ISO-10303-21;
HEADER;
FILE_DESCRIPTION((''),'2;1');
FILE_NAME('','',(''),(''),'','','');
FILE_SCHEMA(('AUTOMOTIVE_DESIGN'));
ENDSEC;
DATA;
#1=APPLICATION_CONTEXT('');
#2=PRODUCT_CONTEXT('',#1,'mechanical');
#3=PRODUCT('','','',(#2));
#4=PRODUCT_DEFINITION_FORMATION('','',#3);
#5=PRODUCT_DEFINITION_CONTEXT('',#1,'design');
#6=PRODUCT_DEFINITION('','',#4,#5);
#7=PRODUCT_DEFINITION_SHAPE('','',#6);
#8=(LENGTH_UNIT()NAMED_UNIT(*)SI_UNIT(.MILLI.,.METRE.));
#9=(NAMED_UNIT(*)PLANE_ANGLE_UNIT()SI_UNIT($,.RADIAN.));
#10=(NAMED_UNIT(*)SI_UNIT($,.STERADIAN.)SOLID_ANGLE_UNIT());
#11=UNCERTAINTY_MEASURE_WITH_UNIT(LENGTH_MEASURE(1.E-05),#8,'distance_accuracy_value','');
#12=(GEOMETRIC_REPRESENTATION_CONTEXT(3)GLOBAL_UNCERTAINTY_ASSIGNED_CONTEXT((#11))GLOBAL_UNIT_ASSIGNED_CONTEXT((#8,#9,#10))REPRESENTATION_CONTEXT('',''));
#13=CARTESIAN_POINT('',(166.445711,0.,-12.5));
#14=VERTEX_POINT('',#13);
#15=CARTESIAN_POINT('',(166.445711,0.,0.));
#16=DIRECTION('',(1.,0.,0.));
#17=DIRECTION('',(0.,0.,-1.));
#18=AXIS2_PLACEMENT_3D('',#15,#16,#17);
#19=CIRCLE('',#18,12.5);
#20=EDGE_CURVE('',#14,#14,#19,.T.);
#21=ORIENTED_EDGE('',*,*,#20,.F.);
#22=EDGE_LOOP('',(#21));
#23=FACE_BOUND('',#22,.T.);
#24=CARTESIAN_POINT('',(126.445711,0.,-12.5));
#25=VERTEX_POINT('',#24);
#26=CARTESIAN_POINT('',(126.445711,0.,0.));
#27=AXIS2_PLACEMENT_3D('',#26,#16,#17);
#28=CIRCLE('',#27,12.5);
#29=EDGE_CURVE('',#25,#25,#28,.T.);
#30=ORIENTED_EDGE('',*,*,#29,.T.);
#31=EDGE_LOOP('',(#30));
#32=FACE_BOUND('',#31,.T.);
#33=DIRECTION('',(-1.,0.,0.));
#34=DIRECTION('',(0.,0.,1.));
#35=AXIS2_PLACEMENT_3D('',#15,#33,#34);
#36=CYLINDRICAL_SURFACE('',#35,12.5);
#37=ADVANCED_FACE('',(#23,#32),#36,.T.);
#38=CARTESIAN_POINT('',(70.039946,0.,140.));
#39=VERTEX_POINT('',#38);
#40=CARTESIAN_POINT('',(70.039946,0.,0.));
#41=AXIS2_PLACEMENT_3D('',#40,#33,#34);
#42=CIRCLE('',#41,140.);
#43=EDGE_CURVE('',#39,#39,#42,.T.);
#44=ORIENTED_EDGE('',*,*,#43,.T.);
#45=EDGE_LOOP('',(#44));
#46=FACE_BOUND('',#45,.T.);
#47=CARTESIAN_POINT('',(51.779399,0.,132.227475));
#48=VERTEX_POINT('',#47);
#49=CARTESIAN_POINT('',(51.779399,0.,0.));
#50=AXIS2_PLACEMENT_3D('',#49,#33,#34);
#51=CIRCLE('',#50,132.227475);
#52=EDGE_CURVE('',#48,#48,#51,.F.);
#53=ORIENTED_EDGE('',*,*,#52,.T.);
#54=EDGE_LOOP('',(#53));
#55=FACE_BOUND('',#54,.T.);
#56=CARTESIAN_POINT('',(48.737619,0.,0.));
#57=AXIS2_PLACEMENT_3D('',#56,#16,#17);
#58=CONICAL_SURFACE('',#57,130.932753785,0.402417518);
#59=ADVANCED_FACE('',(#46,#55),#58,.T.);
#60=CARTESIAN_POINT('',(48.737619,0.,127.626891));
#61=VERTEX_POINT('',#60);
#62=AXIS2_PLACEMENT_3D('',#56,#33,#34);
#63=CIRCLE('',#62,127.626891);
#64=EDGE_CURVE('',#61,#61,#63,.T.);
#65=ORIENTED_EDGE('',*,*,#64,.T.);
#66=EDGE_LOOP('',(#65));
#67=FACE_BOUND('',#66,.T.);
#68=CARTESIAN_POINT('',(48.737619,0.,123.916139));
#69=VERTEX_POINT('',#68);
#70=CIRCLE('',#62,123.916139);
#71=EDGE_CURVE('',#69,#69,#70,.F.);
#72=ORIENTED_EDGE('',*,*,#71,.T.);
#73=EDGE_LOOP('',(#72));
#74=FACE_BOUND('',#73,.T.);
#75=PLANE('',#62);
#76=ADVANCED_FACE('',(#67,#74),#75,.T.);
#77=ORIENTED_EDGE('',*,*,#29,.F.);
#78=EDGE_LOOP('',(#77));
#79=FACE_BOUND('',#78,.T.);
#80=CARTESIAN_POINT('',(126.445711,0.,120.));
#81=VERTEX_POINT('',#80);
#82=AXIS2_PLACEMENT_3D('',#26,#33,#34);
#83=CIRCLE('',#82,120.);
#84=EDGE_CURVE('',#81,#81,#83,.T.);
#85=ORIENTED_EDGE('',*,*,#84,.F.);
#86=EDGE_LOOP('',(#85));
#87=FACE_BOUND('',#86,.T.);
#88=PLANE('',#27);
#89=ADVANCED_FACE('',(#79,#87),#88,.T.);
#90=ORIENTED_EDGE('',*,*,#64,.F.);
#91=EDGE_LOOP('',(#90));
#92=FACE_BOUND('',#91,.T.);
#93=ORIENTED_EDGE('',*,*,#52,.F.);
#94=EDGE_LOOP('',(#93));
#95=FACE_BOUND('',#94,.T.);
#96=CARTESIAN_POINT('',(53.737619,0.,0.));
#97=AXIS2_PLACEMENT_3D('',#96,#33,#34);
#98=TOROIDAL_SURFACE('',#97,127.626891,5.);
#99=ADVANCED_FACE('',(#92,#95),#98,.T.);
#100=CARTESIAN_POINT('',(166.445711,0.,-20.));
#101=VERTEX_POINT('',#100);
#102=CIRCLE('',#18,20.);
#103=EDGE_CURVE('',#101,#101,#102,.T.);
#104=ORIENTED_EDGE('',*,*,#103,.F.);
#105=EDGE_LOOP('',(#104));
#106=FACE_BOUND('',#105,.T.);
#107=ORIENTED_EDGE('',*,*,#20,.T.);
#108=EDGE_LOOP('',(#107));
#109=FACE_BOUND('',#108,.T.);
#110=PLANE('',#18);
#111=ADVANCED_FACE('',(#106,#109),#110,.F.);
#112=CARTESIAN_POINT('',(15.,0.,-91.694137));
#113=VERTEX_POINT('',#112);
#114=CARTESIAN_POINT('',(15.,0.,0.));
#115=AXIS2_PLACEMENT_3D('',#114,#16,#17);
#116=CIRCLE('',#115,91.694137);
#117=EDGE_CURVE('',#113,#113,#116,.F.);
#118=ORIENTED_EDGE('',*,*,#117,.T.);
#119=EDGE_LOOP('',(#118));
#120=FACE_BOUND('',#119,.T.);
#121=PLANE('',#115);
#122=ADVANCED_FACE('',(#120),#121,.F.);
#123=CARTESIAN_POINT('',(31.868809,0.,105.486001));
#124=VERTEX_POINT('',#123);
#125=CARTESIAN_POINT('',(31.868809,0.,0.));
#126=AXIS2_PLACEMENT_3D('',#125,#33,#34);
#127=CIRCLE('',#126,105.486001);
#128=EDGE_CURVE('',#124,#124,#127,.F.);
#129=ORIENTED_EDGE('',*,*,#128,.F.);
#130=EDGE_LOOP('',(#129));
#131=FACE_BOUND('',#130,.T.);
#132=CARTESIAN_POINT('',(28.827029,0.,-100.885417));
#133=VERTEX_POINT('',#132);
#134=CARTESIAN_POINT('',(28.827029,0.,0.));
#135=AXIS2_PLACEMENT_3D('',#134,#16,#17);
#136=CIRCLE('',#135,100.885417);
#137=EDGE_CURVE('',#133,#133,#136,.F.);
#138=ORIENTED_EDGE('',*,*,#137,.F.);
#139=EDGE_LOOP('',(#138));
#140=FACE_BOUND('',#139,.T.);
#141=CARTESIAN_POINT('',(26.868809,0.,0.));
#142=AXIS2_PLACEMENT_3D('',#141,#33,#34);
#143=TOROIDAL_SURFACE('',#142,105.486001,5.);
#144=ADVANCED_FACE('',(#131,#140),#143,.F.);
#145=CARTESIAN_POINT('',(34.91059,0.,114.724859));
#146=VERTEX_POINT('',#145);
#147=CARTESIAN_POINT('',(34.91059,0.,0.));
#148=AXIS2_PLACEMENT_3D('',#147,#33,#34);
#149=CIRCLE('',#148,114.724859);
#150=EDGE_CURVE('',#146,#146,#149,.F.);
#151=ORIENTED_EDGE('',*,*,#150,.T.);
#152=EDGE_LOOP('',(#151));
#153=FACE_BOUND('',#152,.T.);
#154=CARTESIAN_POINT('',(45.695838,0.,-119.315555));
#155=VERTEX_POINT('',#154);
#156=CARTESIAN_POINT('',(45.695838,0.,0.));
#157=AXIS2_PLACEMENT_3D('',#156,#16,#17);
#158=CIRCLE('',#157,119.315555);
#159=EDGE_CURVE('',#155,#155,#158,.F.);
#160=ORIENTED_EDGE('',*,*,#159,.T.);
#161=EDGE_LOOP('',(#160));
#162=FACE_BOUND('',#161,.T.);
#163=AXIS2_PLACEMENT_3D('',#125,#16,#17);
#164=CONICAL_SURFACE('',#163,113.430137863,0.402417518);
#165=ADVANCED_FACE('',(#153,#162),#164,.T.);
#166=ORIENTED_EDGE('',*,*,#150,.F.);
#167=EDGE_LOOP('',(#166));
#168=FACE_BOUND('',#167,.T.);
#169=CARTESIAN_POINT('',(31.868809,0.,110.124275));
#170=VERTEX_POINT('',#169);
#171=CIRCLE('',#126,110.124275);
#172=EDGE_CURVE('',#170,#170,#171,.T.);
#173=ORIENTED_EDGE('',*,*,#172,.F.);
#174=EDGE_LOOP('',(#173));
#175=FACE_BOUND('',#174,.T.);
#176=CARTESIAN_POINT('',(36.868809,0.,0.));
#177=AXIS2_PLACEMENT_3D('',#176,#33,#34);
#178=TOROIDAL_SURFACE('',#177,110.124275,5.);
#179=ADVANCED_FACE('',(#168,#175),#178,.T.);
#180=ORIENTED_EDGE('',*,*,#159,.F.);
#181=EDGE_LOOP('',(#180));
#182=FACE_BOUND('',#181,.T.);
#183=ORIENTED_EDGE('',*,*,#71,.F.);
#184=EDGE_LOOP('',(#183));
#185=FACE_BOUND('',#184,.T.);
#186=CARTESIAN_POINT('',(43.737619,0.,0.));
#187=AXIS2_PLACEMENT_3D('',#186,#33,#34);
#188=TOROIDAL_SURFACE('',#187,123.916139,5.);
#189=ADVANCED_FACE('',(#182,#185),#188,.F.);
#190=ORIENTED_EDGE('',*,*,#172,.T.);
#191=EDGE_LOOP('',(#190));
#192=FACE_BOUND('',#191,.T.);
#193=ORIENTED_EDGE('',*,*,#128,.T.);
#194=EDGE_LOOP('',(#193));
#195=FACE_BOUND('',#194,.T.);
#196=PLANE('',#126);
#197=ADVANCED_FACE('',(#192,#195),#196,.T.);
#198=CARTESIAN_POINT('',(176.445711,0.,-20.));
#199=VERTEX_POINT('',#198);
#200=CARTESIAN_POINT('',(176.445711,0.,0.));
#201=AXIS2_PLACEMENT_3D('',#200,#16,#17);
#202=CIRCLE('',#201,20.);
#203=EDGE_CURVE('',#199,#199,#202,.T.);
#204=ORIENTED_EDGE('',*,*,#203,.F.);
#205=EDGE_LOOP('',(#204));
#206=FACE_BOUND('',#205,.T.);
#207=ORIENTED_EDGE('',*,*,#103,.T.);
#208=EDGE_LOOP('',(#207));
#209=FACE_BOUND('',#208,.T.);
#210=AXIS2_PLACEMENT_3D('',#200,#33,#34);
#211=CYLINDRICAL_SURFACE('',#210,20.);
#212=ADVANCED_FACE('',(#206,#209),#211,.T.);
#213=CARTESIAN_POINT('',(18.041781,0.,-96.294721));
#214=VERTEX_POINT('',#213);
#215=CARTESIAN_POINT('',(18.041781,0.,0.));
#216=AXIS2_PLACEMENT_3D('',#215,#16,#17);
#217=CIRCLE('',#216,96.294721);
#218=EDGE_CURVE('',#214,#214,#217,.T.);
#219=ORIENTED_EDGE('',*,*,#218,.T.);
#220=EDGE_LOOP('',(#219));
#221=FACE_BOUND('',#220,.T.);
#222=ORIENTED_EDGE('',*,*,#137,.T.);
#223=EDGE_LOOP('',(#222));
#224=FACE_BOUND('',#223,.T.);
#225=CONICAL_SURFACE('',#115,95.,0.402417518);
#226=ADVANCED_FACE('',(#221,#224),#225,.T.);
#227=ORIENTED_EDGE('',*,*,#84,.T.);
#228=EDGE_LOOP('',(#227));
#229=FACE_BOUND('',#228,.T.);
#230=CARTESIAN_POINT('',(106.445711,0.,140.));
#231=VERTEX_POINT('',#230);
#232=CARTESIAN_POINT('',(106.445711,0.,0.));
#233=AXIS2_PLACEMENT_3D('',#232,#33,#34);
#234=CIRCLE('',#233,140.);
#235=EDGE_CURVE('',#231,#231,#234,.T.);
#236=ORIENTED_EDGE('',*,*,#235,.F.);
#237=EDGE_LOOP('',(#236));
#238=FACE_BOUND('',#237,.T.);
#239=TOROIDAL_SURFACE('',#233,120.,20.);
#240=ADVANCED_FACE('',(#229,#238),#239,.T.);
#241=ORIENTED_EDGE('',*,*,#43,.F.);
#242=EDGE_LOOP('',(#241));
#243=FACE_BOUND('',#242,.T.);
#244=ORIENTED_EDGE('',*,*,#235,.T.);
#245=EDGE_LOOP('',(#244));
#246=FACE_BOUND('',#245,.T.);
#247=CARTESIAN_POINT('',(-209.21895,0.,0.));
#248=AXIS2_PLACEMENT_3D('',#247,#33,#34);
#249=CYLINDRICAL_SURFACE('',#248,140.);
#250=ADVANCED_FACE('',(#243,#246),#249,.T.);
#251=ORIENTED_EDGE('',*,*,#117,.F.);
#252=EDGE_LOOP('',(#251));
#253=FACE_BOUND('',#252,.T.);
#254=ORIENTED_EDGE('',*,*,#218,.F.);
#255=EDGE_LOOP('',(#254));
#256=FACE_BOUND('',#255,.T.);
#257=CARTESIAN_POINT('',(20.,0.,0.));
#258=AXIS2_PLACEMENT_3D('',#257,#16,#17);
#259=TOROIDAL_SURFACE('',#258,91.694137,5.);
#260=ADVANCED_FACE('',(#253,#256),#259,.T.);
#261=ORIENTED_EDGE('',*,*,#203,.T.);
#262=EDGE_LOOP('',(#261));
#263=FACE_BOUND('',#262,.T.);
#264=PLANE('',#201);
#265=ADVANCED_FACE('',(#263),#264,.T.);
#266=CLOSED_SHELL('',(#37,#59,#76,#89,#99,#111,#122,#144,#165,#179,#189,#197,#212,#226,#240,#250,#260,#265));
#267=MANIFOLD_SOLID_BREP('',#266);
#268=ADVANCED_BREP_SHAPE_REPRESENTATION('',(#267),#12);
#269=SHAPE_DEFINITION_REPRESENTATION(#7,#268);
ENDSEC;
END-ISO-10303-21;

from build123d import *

# Parameters (mm, degrees)
REDONDEO3_R             = 5
CROQUIS2_R              = 12.5
SALIENTE_EXTRUIR1_DEPTH = 40
CROQUIS3_R              = 20
SALIENTE_EXTRUIR2_DEPTH = 10


with BuildPart() as part:
    # Croquis1 → Revolución1 (revolve)
    with BuildSketch(Plane(origin=(0, 0, 0), x_dir=(1, 0, 0), z_dir=(0, 1, 0))):
        with BuildLine():
            Line((106.445710743, 140), (70.03994637, 140))
            Line((70.03994637, 140), (48.737618848, 130.932753785))
            Line((48.737618848, 130.932753785), (48.737618848, 120.610275725))
            Line((48.737618848, 120.610275725), (31.868809424, 113.430137863))
            Line((31.868809424, 113.430137863), (31.868809424, 102.180137863))
            Line((31.868809424, 102.180137863), (15, 95))
            Line((15, 95), (15, 0))
            Line((15, 0), (70, 0))
            Line((70, 0), (126.445710743, 0))
            Line((126.445710743, 0), (126.445710743, 120))
            ThreePointArc((126.445710743, 120), (120.587846367, 134.142135624), (106.445710743, 140))
        make_face()
    revolve(axis=Axis((-209.218950064, 0, 0), (1, 0, 0)))

    # Redondeo3
    redondeo3_edges = [part.edges().sort_by_distance(p)[0] for p in [
        (15, 0, 95),
        (31.868809424, 0, 102.180137863),
        (31.868809424, 0, 113.430137863),
        (48.737618848, 0, 120.610275725),
        (48.737618848, 0, 130.932753785),
    ]]
    fillet(redondeo3_edges, radius=REDONDEO3_R)

    # Croquis2 → Saliente-Extruir1 (add)
    with BuildSketch(Plane(origin=(126.445710743, 0, 0), x_dir=(0, 0, -1), z_dir=(1, 0, 0))):
        Circle(CROQUIS2_R)
    extrude(amount=SALIENTE_EXTRUIR1_DEPTH)

    # Croquis3 → Saliente-Extruir2 (add)
    with BuildSketch(Plane(origin=(166.445710743, 0, 0), x_dir=(0, 0, -1), z_dir=(1, 0, 0))):
        Circle(CROQUIS3_R)
    extrude(amount=SALIENTE_EXTRUIR2_DEPTH)


solid = part.part
